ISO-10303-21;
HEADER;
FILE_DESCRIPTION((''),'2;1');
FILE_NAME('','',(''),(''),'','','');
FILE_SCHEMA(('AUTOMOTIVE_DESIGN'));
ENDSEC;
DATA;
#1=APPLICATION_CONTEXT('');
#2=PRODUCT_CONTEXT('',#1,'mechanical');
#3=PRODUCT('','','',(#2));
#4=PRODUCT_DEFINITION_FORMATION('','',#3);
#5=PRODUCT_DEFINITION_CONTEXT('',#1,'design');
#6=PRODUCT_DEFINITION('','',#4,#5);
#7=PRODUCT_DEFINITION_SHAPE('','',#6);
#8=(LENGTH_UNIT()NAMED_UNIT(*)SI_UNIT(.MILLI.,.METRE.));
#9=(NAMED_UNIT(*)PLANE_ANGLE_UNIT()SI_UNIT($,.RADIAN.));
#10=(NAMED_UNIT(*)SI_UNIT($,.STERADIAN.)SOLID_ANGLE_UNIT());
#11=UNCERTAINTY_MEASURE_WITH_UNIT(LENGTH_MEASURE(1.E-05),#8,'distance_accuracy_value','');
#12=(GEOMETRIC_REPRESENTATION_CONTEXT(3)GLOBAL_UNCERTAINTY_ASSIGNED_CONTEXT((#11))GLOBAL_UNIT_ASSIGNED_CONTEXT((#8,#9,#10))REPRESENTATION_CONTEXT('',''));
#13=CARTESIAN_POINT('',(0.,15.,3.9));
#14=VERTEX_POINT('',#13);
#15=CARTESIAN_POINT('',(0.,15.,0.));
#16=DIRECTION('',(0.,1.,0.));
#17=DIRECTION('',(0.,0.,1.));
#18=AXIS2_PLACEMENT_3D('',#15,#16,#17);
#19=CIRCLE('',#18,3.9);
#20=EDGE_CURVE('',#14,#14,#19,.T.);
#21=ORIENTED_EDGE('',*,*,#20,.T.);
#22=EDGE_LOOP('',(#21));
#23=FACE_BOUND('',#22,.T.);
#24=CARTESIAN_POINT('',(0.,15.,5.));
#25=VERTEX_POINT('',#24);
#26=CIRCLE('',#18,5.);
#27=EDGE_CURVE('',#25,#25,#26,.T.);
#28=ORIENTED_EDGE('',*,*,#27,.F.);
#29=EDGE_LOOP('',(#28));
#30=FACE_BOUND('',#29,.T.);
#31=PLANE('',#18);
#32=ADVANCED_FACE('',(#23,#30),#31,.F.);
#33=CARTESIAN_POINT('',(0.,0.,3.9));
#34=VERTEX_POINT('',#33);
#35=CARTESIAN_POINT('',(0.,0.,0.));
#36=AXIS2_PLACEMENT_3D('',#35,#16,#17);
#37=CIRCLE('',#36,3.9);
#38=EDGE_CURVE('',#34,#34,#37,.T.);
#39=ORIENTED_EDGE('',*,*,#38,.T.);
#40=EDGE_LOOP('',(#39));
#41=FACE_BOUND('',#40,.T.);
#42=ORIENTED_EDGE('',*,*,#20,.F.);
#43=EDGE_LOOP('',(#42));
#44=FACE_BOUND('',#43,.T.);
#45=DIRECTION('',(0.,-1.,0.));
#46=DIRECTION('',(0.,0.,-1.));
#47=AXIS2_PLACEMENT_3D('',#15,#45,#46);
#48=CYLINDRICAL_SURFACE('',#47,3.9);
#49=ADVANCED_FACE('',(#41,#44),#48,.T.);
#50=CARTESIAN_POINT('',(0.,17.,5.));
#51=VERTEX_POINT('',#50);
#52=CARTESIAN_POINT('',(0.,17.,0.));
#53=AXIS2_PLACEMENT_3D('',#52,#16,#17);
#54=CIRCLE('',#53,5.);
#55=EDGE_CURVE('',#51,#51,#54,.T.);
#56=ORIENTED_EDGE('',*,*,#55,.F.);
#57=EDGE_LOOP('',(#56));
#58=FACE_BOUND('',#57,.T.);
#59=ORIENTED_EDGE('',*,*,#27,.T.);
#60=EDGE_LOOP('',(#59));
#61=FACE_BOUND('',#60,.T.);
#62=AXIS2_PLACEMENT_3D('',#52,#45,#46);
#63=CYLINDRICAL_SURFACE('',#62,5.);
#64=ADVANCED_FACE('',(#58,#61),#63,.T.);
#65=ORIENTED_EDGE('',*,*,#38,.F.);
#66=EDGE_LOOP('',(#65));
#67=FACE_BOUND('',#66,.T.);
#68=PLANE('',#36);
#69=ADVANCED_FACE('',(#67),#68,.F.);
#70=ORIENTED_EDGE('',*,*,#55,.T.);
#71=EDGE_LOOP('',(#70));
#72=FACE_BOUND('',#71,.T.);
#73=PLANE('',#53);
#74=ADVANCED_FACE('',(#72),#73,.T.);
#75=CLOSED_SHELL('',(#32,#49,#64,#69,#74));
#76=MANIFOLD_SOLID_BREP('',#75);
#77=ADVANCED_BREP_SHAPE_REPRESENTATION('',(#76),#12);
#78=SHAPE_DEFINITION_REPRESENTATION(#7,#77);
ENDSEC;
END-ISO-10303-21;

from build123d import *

# Parameters (mm, degrees)
SKETCH1_R           = 3.9
BOSS_EXTRUDE1_DEPTH = 15
SKETCH2_R           = 5
BOSS_EXTRUDE2_DEPTH = 2


with BuildPart() as part:
    # Sketch1 → Boss-Extrude1 (new body)
    with BuildSketch(Plane(origin=(0, 0, 0), x_dir=(1, 0, 0), z_dir=(0, 1, 0))):
        Circle(SKETCH1_R)
    extrude(amount=BOSS_EXTRUDE1_DEPTH)

    # Sketch2 → Boss-Extrude2 (add)
    with BuildSketch(Plane(origin=(0, 15, 0), x_dir=(1, 0, 0), z_dir=(0, 1, 0))):
        Circle(SKETCH2_R)
    extrude(amount=BOSS_EXTRUDE2_DEPTH)


solid = part.part
